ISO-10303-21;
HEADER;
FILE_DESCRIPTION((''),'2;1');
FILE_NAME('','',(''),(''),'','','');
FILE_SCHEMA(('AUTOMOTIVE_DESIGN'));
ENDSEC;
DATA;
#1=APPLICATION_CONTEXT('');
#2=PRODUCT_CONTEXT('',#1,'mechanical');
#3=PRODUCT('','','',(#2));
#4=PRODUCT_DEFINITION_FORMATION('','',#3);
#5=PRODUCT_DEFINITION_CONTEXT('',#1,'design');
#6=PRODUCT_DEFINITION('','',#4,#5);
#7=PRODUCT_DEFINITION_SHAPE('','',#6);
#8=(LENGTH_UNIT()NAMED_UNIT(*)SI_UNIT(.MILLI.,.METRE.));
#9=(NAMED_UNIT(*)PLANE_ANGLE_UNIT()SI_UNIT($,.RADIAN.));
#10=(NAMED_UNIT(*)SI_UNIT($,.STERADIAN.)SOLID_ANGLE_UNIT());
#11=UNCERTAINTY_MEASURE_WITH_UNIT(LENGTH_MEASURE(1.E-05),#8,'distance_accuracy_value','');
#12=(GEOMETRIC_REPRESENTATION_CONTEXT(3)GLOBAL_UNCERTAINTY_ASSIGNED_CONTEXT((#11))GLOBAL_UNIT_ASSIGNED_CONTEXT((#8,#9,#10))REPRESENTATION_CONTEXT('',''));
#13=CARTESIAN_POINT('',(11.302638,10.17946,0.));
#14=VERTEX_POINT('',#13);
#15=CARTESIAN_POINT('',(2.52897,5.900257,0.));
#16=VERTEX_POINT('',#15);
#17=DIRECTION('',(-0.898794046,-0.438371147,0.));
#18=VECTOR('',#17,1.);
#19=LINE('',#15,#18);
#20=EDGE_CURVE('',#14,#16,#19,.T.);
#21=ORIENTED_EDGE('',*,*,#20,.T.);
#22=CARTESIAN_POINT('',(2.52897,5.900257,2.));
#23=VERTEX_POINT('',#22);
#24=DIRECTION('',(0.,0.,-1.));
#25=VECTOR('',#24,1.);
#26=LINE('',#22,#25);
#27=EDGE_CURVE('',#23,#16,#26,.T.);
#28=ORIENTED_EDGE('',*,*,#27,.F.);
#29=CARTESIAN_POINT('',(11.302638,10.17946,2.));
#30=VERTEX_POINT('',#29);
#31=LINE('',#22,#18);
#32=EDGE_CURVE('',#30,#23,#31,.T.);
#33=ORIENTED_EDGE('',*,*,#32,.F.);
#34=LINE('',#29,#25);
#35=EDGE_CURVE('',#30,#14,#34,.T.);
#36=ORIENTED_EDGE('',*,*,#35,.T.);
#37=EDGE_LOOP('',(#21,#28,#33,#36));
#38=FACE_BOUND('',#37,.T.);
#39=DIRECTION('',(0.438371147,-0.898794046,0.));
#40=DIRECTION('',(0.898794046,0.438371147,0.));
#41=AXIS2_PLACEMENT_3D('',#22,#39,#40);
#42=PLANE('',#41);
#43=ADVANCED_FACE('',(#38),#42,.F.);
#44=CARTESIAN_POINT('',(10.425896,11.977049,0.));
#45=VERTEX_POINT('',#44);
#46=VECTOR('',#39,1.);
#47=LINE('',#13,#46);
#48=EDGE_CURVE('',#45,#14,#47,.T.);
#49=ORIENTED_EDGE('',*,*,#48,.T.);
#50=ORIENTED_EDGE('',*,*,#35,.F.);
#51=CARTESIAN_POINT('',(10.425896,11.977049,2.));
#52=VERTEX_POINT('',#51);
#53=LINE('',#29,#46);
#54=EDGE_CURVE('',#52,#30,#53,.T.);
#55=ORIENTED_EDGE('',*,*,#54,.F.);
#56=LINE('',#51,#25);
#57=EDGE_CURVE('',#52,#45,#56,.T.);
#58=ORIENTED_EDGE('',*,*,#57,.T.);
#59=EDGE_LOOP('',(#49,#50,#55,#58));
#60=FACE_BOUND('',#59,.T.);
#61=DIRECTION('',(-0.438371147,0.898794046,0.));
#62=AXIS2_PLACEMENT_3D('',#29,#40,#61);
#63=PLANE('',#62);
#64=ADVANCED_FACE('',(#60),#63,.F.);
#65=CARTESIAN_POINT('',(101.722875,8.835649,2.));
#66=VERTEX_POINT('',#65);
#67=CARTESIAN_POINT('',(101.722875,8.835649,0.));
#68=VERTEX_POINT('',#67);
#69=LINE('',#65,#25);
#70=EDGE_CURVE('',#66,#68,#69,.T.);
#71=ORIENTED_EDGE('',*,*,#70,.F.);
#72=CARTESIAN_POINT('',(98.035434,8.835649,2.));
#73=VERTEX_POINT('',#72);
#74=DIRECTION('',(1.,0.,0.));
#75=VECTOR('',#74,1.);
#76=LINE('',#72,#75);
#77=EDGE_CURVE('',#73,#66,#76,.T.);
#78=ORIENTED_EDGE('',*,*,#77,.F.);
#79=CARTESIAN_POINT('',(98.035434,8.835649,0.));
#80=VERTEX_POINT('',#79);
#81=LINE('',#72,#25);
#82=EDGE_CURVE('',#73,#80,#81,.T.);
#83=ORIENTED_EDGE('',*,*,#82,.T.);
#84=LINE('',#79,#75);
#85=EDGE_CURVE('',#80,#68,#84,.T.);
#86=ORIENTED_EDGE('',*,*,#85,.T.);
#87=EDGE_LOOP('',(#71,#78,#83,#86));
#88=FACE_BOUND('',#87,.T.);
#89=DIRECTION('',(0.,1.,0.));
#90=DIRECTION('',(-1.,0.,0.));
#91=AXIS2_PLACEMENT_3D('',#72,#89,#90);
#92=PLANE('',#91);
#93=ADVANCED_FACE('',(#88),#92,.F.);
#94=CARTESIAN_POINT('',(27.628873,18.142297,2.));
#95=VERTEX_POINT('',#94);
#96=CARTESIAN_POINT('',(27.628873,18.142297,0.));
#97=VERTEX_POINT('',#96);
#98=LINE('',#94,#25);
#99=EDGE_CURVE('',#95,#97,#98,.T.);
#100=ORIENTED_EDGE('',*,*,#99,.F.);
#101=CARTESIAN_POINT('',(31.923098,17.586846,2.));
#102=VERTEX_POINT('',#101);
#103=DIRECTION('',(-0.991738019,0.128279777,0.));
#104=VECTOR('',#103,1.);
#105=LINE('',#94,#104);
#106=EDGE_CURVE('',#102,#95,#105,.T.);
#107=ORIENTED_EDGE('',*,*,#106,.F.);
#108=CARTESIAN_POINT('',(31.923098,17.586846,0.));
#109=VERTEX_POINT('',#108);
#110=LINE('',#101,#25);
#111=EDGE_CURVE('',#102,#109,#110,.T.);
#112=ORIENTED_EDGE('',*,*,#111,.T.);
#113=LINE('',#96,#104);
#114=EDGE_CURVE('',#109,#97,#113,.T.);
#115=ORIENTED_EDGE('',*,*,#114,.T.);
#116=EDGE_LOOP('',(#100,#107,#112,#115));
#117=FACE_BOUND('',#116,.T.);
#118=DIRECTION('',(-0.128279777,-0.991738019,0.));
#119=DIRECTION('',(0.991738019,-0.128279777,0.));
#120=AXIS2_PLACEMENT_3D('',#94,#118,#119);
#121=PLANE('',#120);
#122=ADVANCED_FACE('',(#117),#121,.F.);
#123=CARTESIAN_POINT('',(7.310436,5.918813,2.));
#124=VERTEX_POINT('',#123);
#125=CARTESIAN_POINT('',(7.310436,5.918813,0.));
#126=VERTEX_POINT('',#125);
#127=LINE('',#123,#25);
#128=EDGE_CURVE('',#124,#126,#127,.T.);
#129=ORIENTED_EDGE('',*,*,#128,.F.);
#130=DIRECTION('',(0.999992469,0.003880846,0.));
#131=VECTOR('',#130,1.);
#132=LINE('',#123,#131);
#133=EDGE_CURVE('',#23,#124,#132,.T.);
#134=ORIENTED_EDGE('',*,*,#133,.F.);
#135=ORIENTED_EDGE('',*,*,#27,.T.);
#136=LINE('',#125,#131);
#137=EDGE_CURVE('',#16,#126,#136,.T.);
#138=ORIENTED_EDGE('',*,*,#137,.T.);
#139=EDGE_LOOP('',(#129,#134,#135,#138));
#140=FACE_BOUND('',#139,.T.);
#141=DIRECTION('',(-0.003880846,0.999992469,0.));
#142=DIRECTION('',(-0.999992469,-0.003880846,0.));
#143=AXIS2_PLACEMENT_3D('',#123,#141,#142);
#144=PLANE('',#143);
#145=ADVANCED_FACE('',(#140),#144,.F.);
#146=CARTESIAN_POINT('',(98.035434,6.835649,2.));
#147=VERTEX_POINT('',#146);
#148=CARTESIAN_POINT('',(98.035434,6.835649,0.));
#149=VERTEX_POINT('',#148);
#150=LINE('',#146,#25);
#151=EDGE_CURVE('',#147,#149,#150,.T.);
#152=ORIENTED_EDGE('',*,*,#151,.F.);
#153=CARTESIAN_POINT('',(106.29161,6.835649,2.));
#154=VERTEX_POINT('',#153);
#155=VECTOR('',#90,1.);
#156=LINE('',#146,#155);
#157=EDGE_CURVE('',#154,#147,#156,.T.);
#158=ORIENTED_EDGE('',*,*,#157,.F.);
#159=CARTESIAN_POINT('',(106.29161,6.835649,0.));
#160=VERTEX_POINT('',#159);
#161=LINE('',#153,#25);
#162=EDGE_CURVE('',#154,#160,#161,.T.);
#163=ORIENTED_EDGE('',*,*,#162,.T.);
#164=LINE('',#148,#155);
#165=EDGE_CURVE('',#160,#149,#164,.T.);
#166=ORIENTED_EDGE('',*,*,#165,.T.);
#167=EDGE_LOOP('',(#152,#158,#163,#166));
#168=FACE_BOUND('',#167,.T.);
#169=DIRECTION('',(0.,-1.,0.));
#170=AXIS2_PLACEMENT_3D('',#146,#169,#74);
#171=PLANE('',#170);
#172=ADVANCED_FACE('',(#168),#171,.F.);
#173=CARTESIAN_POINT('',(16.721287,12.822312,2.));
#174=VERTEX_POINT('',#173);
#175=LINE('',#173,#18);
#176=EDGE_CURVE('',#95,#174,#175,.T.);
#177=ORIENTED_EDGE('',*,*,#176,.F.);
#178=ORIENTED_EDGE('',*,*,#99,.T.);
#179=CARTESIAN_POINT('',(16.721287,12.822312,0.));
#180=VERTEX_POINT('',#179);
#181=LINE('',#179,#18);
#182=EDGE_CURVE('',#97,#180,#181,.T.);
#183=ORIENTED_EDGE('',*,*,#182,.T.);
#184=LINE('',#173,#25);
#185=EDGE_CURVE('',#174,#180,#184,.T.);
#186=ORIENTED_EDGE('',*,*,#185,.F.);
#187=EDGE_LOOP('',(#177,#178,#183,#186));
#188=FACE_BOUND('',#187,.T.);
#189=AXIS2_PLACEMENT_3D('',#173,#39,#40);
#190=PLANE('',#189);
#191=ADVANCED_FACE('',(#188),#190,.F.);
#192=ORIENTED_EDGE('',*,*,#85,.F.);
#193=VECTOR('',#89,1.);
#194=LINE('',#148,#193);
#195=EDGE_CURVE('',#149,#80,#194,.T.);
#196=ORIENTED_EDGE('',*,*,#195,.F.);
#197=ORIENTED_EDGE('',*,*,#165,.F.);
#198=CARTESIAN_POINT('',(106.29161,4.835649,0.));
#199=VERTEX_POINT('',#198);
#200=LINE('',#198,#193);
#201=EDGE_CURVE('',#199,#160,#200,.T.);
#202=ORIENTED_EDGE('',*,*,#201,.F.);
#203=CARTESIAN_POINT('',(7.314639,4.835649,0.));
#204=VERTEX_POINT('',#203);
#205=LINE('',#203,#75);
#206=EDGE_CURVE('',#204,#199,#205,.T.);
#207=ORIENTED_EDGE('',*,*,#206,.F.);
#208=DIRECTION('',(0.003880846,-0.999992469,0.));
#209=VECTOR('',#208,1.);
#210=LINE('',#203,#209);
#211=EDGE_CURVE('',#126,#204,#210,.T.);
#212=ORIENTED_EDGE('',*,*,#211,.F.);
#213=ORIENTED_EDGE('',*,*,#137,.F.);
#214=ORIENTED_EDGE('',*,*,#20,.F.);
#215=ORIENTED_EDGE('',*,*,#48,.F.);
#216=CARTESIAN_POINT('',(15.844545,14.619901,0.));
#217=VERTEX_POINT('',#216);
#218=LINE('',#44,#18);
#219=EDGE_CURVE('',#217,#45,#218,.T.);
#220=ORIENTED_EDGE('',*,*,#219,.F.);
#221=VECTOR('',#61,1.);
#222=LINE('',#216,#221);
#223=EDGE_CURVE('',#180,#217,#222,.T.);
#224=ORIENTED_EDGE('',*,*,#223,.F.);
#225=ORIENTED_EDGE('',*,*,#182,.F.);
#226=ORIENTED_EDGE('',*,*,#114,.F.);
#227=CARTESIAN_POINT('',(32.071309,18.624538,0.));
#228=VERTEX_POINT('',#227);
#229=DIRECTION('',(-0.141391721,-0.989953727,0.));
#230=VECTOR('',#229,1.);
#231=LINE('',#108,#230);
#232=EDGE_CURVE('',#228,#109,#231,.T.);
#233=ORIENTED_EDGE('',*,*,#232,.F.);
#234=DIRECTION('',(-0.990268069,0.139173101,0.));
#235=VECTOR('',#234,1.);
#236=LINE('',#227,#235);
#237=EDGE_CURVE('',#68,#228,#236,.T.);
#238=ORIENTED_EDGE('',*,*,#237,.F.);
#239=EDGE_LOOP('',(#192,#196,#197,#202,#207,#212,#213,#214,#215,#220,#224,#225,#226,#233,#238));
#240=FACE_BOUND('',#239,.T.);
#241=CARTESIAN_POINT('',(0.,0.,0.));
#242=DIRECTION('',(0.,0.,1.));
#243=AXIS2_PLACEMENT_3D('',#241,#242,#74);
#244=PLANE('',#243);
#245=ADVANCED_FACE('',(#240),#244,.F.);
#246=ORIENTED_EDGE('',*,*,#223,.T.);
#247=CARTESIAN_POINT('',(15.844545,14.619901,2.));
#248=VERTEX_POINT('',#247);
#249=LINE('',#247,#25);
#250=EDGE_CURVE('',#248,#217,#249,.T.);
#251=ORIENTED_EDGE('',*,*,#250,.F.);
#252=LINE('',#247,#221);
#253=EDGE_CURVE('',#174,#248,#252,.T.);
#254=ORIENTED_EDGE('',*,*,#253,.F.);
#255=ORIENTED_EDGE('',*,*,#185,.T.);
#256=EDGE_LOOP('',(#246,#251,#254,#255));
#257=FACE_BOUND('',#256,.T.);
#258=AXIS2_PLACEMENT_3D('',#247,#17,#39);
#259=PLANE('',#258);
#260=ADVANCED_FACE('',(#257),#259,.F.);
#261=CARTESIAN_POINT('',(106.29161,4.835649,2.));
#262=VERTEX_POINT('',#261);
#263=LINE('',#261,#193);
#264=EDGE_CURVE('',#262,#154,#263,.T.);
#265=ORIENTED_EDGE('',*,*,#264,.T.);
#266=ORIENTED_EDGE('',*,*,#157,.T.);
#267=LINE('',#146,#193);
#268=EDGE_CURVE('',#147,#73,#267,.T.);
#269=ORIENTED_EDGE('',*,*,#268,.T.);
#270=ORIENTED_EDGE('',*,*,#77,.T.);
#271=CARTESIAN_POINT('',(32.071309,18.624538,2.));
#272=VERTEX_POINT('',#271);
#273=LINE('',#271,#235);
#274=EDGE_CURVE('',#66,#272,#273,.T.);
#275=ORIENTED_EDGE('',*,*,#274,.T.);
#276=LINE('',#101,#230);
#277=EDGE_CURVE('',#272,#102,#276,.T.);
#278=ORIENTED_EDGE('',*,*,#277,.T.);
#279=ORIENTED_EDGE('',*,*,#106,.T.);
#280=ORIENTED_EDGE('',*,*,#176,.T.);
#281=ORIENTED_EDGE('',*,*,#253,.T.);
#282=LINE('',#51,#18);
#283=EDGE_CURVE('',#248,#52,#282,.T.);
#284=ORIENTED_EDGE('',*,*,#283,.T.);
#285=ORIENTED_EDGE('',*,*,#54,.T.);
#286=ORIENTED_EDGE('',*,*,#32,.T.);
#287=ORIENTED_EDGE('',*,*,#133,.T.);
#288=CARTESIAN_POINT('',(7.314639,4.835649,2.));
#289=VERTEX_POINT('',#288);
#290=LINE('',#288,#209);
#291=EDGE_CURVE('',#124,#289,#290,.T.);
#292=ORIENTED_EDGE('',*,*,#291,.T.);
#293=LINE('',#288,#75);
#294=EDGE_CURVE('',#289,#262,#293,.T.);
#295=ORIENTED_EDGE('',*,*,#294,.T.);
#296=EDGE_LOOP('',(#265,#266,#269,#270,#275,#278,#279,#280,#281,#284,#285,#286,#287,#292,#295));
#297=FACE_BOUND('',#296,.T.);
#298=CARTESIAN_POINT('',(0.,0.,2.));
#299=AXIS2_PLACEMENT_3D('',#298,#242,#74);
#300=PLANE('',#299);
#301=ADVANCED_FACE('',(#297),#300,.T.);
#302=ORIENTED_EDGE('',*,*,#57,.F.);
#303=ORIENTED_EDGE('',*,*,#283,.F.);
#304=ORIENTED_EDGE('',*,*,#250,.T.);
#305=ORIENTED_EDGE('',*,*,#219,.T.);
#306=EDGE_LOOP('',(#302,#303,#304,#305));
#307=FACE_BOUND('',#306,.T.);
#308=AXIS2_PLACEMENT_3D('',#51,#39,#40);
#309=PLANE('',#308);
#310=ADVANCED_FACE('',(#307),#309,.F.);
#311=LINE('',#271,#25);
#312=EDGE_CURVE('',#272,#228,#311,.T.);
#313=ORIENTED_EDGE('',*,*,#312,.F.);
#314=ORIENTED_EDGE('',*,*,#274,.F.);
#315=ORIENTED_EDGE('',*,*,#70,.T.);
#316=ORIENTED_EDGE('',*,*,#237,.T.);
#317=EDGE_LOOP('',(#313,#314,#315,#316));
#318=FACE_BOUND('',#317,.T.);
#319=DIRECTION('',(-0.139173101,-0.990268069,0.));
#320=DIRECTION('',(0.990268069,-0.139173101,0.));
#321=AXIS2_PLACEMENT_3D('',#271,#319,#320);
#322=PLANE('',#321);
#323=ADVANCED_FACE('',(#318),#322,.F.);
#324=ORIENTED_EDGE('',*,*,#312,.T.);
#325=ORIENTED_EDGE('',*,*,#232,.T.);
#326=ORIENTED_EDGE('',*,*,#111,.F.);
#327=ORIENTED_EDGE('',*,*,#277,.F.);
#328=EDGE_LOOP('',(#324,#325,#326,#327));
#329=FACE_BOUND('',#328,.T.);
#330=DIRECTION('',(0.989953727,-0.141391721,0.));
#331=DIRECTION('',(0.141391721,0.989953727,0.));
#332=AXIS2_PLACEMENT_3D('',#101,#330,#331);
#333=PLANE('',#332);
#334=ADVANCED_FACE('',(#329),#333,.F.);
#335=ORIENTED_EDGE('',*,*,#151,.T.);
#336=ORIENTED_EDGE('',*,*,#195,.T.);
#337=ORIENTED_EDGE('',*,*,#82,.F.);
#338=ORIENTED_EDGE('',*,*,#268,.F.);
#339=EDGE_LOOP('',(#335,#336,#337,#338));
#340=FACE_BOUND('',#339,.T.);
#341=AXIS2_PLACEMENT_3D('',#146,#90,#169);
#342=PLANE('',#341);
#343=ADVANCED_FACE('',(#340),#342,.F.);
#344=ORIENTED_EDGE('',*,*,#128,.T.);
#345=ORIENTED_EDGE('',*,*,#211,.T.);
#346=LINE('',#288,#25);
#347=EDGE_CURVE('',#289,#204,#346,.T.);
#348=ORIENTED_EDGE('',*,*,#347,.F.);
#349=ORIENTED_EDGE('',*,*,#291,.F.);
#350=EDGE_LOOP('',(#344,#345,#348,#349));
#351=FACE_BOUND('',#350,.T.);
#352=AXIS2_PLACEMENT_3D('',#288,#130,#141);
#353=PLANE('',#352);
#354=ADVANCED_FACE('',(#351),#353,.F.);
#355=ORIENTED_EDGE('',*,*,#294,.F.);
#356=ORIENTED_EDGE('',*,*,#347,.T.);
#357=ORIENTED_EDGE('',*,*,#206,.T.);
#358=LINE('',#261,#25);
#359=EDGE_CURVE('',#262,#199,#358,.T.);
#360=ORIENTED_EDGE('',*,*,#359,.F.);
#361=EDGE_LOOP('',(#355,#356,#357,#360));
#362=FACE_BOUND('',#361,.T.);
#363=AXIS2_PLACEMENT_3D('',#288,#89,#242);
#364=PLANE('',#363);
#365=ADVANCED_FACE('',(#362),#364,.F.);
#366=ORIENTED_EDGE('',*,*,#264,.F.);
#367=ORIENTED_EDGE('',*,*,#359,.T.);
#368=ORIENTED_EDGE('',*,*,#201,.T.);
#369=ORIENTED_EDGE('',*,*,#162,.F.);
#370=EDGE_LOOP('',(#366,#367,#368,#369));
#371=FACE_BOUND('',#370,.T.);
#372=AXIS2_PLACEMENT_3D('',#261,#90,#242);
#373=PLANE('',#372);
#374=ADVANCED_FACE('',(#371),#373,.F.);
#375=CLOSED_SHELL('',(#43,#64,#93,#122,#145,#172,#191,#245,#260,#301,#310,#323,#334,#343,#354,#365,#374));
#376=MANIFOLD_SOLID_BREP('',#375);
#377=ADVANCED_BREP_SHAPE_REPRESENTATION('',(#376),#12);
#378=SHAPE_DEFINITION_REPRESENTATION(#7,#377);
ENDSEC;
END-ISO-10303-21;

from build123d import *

# Parameters (mm, degrees)
EXTRUDE_1_DEPTH = 2


with BuildPart() as part:
    # Model → 凸台-拉伸1 (new body)
    with BuildSketch(Plane.XY):
        Polygon((16.721287408, 12.822312416), (27.628872828, 18.142297288), (31.923098451, 17.586845854), (32.071308504, 18.624538111), (101.722874852, 8.835648838), (98.03543388, 8.835648838), (98.03543388, 6.835648838), (106.291610276, 6.835648838), (106.291610276, 4.835648838), (7.314639322, 4.835648838), (7.310435698, 5.918812931), (2.5289699, 5.90025666), (11.302637862, 10.179460446), (10.425895568, 11.977048539), (15.844545115, 14.619900509), align=None)
    extrude(amount=EXTRUDE_1_DEPTH)


solid = part.part
